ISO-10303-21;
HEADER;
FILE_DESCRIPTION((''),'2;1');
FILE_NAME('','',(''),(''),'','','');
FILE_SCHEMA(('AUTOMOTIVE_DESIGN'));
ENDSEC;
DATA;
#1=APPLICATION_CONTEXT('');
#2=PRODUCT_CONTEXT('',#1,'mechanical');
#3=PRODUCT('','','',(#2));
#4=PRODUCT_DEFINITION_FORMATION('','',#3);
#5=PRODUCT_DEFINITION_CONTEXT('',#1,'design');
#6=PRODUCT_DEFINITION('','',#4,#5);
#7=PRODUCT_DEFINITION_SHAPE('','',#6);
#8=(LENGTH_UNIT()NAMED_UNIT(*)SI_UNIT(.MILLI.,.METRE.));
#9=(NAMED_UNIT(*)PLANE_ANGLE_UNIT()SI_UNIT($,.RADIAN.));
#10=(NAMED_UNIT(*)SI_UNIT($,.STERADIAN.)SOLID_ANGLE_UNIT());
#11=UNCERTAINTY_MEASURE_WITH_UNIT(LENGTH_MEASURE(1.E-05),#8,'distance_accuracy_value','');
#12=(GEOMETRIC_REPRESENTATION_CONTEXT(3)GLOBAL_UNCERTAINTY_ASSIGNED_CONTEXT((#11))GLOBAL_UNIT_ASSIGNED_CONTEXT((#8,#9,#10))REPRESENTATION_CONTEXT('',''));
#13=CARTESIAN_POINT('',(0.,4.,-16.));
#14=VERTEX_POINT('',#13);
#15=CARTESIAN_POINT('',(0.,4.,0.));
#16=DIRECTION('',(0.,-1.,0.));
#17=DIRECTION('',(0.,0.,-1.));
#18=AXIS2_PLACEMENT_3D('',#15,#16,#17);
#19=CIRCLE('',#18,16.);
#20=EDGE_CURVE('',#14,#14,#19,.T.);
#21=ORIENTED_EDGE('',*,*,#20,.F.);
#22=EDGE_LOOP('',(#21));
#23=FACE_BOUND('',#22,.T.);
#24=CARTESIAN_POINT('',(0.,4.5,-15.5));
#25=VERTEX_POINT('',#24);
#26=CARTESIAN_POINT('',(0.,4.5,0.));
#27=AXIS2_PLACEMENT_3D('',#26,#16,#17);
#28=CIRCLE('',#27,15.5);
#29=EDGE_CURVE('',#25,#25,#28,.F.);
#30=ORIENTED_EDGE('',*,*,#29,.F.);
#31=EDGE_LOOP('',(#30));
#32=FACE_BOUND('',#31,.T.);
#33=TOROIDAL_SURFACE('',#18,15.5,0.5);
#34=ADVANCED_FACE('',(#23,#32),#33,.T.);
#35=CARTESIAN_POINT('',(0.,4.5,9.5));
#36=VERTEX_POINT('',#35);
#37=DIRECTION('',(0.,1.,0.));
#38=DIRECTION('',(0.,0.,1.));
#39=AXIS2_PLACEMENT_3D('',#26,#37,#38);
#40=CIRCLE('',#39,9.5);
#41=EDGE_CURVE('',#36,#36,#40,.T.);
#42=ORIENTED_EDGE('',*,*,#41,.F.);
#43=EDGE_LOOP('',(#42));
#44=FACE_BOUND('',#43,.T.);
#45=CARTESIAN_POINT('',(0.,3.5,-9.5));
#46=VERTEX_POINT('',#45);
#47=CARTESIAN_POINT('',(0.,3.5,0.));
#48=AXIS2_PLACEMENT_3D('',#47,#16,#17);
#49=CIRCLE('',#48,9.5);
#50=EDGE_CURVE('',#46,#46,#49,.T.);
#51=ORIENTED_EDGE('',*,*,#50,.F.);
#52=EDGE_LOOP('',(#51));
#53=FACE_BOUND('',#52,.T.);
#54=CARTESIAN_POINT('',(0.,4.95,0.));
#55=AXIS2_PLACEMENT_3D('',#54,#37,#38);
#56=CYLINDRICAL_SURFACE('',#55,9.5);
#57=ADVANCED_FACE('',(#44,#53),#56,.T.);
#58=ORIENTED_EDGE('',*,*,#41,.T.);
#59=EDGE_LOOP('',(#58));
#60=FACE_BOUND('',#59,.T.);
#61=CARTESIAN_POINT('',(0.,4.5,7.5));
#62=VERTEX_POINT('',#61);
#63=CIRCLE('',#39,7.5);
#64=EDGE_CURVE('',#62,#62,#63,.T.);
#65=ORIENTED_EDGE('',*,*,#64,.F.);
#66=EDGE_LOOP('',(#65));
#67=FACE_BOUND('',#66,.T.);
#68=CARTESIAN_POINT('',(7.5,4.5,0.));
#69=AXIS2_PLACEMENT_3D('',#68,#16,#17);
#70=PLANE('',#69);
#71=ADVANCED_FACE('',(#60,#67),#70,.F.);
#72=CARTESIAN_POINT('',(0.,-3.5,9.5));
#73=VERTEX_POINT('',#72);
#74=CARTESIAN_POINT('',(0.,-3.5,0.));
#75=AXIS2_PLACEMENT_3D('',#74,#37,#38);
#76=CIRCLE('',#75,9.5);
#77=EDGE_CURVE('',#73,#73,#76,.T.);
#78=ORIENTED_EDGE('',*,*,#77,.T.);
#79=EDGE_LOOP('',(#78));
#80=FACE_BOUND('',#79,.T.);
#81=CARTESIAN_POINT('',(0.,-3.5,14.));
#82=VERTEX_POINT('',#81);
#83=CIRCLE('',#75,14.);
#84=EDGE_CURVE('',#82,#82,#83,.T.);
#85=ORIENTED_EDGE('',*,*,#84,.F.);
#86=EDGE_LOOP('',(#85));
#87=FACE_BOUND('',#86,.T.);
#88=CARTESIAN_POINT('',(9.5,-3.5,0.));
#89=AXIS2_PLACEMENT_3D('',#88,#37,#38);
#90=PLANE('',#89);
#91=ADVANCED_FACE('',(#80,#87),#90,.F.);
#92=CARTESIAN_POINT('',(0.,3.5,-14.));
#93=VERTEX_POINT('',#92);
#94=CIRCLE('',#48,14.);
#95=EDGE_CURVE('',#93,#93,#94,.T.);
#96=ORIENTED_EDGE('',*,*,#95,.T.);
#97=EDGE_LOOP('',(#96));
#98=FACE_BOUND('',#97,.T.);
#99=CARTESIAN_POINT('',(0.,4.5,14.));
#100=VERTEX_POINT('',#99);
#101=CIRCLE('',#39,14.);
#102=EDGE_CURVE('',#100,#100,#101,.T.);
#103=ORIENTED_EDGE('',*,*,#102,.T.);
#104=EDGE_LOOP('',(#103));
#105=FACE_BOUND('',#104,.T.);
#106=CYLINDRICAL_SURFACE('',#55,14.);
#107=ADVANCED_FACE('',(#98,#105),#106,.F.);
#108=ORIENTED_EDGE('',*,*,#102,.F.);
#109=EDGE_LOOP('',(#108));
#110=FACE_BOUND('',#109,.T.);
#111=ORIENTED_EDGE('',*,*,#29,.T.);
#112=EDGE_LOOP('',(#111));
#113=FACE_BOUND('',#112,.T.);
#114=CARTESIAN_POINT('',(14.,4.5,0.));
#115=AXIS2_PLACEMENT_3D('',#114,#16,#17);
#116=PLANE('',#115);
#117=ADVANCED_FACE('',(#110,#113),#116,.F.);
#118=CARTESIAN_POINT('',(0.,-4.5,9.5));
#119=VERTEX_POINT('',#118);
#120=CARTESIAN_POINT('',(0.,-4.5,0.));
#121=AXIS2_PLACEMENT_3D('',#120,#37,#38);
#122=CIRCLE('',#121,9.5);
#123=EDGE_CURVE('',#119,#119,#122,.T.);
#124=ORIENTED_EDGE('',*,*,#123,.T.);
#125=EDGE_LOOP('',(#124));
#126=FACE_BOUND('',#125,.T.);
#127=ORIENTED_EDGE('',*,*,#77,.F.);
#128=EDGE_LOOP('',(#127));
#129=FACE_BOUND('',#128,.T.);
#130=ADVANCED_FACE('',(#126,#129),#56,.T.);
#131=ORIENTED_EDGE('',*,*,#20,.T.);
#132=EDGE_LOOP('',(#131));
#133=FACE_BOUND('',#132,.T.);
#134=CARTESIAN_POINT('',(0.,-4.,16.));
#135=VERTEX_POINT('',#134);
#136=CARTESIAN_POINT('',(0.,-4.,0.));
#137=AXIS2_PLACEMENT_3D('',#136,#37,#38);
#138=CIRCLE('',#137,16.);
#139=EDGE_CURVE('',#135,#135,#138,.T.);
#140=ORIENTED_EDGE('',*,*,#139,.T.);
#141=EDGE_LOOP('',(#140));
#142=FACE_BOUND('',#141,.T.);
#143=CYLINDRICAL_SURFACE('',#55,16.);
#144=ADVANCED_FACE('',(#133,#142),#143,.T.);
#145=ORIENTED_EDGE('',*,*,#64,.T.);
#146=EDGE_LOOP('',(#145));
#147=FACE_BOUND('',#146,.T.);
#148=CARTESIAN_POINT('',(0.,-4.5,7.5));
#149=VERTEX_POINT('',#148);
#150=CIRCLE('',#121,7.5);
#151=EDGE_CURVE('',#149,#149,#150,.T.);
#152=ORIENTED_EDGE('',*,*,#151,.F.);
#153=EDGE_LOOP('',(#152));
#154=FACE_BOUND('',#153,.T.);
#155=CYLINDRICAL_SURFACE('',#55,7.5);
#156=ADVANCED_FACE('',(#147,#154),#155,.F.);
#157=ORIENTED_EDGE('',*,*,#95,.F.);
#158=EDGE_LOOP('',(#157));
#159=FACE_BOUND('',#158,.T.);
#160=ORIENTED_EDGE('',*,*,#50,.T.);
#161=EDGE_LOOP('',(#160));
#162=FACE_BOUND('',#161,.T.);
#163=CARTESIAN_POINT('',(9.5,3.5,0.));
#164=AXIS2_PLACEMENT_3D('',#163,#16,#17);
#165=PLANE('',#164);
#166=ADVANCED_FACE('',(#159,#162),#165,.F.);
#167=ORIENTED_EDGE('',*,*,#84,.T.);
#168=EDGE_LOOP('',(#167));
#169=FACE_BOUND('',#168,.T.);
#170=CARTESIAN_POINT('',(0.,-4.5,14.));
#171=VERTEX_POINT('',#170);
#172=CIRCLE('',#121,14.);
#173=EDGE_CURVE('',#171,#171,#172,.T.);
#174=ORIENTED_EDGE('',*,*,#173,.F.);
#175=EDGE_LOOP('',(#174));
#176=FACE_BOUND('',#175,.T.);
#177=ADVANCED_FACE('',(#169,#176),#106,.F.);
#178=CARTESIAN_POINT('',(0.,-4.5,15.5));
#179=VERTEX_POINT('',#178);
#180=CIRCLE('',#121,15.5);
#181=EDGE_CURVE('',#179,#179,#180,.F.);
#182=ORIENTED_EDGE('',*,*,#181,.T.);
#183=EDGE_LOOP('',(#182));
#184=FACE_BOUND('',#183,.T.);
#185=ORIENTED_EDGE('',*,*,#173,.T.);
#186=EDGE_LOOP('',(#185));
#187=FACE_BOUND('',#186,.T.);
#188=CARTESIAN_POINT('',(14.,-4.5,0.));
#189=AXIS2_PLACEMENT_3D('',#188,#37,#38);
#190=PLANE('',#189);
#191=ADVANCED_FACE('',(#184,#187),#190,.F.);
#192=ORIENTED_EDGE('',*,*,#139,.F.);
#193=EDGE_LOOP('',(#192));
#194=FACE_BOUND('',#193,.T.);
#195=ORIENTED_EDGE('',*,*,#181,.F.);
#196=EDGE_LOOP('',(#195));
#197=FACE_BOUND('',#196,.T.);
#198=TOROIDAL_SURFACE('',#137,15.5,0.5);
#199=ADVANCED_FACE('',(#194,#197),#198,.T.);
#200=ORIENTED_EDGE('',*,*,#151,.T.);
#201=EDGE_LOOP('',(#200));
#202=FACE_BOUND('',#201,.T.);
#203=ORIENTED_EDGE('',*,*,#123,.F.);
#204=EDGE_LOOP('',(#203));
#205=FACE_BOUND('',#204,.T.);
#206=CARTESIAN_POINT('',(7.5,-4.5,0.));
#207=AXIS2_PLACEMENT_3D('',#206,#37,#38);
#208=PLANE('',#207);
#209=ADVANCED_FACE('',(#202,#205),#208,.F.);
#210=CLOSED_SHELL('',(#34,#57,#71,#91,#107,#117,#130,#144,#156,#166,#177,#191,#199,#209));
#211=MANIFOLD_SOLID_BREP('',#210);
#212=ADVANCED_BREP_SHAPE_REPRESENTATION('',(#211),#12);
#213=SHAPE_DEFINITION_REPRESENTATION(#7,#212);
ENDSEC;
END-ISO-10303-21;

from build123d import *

# Parameters (mm, degrees)
DISQUE_INT_RIEUR_W              = 2
DISQUE_INT_RIEUR_H              = 9
DISQUE_EXT_RIEUR_W              = 2
DISQUE_EXT_RIEUR_H              = 9
DISQUE_INTERM_DIAIRE_W          = 4.5
DISQUE_INTERM_DIAIRE_H          = 7
CONG_1_DISQUE_EXT_RIEUR_0_5MM_R = 0.5


with BuildPart() as part:
    # Disque_Intérieur → Révolution1_Disque_Intérieur (revolve)
    with BuildSketch(Plane.XY, mode=Mode.PRIVATE) as r_volution1_disque_int_rieur_sk:
        with Locations((8.5, 0)):
            Rectangle(DISQUE_INT_RIEUR_W, DISQUE_INT_RIEUR_H)
    revolve(r_volution1_disque_int_rieur_sk.sketch.rotate(Axis((0, 4.95, 0), (0, -1, 0)), 90), axis=Axis((0, 4.95, 0), (0, -1, 0)))



with BuildPart() as body_2:
    # Disque_extérieur → Révolution2_Disque_extérieur (revolve)
    with BuildSketch(Plane.XY, mode=Mode.PRIVATE) as r_volution2_disque_ext_rieur_sk:
        with Locations((15, 0)):
            Rectangle(DISQUE_EXT_RIEUR_W, DISQUE_EXT_RIEUR_H)
    revolve(r_volution2_disque_ext_rieur_sk.sketch.rotate(Axis((0, 4.95, 0), (0, -1, 0)), 90), axis=Axis((0, 4.95, 0), (0, -1, 0)))


with BuildPart() as part_1:
    add(part.part)

    add(body_2.part)  # Révolution3_Disque_Intermédiaire merges body 2
    # Disque_Intermédiaire → Révolution3_Disque_Intermédiaire (revolve)
    with BuildSketch(Plane.XY, mode=Mode.PRIVATE) as r_volution3_disque_interm_diaire_sk:
        with Locations((11.75, 0)):
            Rectangle(DISQUE_INTERM_DIAIRE_W, DISQUE_INTERM_DIAIRE_H)
    revolve(r_volution3_disque_interm_diaire_sk.sketch.rotate(Axis((0, 4.95, 0), (0, -1, 0)), 90), axis=Axis((0, 4.95, 0), (0, -1, 0)))

    # Congé1_Disque_extérieur_0.5mm
    cong_1_disque_ext_rieur_0_5mm_edges = [part_1.edges().sort_by_distance(p)[0] for p in [
        (0, -4.5, -16),
        (0, 4.5, -16),
    ]]
    fillet(cong_1_disque_ext_rieur_0_5mm_edges, radius=CONG_1_DISQUE_EXT_RIEUR_0_5MM_R)


solid = part_1.part
